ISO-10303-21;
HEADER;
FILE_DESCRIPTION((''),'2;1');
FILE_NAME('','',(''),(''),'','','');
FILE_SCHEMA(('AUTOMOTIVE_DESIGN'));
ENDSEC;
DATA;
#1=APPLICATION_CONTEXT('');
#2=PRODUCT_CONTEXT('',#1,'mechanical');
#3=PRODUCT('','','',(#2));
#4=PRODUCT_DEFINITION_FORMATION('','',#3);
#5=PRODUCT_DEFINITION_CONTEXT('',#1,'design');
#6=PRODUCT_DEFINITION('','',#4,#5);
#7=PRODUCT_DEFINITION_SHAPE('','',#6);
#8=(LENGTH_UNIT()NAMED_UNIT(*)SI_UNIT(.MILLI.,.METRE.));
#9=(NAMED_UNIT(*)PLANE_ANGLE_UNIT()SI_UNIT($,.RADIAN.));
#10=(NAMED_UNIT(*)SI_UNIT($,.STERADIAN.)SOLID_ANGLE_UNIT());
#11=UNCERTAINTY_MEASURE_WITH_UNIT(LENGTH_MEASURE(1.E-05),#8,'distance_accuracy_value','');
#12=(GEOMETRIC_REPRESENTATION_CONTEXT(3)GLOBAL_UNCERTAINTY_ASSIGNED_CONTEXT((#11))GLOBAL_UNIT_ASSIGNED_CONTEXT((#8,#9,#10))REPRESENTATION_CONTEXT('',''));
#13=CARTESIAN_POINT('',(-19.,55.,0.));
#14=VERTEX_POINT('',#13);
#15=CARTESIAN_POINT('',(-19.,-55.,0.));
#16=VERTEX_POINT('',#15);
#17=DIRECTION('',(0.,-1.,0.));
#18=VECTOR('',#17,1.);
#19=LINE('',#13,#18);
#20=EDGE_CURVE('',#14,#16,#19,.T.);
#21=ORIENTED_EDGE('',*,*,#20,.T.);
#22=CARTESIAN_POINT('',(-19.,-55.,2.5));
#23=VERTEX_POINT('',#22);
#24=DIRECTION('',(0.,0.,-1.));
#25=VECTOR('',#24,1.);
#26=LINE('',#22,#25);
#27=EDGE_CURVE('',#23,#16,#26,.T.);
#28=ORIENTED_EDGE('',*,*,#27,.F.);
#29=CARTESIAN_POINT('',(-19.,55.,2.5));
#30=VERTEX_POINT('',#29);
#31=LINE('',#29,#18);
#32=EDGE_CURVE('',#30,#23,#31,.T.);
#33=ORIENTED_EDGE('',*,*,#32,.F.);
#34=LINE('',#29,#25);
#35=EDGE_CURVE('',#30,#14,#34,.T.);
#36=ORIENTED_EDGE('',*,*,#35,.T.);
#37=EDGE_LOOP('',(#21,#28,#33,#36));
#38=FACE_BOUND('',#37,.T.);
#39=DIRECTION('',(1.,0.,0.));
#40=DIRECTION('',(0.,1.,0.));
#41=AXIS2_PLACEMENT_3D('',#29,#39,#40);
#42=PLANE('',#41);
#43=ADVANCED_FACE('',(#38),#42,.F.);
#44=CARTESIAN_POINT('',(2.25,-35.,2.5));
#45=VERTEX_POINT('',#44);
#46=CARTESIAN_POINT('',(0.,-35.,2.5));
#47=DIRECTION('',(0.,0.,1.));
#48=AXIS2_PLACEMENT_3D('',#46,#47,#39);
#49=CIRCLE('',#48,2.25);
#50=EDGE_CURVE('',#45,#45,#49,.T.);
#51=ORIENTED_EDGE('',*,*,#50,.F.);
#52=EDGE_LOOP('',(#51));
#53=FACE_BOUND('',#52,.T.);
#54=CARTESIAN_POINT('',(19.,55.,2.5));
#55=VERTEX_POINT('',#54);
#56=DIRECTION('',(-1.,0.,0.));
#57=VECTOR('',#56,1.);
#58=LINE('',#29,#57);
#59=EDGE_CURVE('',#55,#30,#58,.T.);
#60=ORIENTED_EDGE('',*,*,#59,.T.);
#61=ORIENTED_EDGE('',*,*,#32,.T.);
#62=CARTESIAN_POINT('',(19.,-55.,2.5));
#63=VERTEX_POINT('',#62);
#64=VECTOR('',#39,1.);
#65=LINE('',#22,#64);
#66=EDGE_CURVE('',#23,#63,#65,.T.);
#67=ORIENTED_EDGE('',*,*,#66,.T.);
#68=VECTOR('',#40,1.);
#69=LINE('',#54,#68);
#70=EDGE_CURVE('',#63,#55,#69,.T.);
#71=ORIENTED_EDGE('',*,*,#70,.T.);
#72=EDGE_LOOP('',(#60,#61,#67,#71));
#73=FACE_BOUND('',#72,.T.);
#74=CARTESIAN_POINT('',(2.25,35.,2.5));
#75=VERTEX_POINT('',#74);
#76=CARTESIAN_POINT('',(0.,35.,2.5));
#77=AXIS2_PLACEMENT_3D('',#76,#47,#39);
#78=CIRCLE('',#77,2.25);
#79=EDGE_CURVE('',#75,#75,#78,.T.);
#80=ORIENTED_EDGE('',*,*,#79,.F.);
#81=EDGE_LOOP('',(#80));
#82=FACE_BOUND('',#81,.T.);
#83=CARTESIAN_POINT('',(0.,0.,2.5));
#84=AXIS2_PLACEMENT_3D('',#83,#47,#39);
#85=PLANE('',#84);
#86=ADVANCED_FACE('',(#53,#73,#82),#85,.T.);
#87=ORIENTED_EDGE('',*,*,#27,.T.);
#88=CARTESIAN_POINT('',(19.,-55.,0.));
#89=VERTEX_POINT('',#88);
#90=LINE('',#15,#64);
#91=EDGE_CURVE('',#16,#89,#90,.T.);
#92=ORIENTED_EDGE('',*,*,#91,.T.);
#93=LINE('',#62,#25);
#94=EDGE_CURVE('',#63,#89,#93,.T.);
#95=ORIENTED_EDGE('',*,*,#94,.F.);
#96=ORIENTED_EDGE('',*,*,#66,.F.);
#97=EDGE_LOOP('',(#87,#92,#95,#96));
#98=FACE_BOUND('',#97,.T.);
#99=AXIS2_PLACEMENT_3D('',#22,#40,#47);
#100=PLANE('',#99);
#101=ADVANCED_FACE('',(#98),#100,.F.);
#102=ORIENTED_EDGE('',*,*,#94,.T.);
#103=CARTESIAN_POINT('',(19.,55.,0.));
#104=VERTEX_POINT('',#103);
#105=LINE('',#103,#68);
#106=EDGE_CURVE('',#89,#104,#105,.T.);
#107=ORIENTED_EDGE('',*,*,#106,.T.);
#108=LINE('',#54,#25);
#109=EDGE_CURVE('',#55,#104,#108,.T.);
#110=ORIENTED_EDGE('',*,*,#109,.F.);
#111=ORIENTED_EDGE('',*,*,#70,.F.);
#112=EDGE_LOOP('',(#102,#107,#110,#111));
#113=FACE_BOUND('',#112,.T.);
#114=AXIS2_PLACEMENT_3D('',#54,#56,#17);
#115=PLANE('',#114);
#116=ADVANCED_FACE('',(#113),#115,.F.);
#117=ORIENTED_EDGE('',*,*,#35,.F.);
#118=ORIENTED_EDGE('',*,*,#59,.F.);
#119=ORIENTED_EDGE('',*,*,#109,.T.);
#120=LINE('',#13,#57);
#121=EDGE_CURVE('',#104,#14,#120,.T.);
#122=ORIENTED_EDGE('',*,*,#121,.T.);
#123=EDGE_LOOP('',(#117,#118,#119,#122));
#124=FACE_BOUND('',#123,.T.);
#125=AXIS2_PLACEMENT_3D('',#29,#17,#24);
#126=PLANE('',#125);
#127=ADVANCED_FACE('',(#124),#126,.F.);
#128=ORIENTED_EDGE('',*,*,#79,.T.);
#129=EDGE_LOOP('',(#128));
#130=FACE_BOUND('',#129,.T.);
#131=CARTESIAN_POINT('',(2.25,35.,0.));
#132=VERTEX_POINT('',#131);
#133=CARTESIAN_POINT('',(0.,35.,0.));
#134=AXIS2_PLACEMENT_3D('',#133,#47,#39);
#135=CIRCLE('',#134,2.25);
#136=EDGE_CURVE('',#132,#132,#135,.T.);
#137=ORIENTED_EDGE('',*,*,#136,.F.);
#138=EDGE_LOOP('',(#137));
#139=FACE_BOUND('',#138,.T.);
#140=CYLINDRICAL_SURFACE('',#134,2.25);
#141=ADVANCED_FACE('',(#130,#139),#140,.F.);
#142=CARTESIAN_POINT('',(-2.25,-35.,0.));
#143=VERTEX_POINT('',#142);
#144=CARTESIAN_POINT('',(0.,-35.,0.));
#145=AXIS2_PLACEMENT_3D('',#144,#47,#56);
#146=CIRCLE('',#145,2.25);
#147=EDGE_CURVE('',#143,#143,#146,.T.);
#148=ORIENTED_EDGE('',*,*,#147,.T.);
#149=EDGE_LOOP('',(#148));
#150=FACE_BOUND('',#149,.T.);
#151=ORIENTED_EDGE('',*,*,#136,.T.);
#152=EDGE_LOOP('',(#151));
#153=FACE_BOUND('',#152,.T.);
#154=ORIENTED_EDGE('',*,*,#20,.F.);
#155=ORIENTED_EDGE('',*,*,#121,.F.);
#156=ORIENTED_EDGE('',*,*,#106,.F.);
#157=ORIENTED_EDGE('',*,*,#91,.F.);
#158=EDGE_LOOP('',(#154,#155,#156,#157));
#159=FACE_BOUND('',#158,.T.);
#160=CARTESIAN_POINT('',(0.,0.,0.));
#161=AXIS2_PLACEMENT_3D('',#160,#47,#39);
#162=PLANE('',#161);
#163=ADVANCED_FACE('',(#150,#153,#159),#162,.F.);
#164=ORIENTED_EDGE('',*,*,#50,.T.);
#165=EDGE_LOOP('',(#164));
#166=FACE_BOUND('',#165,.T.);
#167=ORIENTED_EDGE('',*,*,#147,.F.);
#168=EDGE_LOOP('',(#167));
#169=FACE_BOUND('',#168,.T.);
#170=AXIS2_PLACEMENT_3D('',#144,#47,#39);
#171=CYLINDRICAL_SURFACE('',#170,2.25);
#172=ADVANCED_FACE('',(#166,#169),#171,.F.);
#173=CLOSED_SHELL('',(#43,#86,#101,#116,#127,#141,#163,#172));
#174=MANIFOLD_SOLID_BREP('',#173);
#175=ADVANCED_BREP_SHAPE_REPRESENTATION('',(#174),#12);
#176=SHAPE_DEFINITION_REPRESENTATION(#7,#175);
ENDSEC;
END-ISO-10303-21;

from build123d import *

# Parameters (mm, degrees)
SKETCH1_W               = 38
SKETCH1_H               = 110
BOSS_EXTRUDE1_DEPTH     = 2.5
CUT_EXTRUDE1_DEPTH      = 59.243025334
CUT_EXTRUDE1_DEPTH_BACK = 59.243025334
SKETCH2_R               = 2.25


with BuildPart() as part:
    # Sketch1 → Boss-Extrude1 (new body)
    with BuildSketch(Plane.XY):
        Rectangle(SKETCH1_W, SKETCH1_H)
    extrude(amount=BOSS_EXTRUDE1_DEPTH)

    # Sketch2 → Cut-Extrude1 (cut, two sides: drawn at the far end of the back side and taken through both)
    with BuildSketch(Plane.XY.offset(2.5).offset(-CUT_EXTRUDE1_DEPTH_BACK)):
        with Locations((0, 35)):
            Circle(SKETCH2_R)
        with Locations((0, -35)):
            Circle(SKETCH2_R)
    extrude(amount=CUT_EXTRUDE1_DEPTH + CUT_EXTRUDE1_DEPTH_BACK, mode=Mode.SUBTRACT)


solid = part.part
